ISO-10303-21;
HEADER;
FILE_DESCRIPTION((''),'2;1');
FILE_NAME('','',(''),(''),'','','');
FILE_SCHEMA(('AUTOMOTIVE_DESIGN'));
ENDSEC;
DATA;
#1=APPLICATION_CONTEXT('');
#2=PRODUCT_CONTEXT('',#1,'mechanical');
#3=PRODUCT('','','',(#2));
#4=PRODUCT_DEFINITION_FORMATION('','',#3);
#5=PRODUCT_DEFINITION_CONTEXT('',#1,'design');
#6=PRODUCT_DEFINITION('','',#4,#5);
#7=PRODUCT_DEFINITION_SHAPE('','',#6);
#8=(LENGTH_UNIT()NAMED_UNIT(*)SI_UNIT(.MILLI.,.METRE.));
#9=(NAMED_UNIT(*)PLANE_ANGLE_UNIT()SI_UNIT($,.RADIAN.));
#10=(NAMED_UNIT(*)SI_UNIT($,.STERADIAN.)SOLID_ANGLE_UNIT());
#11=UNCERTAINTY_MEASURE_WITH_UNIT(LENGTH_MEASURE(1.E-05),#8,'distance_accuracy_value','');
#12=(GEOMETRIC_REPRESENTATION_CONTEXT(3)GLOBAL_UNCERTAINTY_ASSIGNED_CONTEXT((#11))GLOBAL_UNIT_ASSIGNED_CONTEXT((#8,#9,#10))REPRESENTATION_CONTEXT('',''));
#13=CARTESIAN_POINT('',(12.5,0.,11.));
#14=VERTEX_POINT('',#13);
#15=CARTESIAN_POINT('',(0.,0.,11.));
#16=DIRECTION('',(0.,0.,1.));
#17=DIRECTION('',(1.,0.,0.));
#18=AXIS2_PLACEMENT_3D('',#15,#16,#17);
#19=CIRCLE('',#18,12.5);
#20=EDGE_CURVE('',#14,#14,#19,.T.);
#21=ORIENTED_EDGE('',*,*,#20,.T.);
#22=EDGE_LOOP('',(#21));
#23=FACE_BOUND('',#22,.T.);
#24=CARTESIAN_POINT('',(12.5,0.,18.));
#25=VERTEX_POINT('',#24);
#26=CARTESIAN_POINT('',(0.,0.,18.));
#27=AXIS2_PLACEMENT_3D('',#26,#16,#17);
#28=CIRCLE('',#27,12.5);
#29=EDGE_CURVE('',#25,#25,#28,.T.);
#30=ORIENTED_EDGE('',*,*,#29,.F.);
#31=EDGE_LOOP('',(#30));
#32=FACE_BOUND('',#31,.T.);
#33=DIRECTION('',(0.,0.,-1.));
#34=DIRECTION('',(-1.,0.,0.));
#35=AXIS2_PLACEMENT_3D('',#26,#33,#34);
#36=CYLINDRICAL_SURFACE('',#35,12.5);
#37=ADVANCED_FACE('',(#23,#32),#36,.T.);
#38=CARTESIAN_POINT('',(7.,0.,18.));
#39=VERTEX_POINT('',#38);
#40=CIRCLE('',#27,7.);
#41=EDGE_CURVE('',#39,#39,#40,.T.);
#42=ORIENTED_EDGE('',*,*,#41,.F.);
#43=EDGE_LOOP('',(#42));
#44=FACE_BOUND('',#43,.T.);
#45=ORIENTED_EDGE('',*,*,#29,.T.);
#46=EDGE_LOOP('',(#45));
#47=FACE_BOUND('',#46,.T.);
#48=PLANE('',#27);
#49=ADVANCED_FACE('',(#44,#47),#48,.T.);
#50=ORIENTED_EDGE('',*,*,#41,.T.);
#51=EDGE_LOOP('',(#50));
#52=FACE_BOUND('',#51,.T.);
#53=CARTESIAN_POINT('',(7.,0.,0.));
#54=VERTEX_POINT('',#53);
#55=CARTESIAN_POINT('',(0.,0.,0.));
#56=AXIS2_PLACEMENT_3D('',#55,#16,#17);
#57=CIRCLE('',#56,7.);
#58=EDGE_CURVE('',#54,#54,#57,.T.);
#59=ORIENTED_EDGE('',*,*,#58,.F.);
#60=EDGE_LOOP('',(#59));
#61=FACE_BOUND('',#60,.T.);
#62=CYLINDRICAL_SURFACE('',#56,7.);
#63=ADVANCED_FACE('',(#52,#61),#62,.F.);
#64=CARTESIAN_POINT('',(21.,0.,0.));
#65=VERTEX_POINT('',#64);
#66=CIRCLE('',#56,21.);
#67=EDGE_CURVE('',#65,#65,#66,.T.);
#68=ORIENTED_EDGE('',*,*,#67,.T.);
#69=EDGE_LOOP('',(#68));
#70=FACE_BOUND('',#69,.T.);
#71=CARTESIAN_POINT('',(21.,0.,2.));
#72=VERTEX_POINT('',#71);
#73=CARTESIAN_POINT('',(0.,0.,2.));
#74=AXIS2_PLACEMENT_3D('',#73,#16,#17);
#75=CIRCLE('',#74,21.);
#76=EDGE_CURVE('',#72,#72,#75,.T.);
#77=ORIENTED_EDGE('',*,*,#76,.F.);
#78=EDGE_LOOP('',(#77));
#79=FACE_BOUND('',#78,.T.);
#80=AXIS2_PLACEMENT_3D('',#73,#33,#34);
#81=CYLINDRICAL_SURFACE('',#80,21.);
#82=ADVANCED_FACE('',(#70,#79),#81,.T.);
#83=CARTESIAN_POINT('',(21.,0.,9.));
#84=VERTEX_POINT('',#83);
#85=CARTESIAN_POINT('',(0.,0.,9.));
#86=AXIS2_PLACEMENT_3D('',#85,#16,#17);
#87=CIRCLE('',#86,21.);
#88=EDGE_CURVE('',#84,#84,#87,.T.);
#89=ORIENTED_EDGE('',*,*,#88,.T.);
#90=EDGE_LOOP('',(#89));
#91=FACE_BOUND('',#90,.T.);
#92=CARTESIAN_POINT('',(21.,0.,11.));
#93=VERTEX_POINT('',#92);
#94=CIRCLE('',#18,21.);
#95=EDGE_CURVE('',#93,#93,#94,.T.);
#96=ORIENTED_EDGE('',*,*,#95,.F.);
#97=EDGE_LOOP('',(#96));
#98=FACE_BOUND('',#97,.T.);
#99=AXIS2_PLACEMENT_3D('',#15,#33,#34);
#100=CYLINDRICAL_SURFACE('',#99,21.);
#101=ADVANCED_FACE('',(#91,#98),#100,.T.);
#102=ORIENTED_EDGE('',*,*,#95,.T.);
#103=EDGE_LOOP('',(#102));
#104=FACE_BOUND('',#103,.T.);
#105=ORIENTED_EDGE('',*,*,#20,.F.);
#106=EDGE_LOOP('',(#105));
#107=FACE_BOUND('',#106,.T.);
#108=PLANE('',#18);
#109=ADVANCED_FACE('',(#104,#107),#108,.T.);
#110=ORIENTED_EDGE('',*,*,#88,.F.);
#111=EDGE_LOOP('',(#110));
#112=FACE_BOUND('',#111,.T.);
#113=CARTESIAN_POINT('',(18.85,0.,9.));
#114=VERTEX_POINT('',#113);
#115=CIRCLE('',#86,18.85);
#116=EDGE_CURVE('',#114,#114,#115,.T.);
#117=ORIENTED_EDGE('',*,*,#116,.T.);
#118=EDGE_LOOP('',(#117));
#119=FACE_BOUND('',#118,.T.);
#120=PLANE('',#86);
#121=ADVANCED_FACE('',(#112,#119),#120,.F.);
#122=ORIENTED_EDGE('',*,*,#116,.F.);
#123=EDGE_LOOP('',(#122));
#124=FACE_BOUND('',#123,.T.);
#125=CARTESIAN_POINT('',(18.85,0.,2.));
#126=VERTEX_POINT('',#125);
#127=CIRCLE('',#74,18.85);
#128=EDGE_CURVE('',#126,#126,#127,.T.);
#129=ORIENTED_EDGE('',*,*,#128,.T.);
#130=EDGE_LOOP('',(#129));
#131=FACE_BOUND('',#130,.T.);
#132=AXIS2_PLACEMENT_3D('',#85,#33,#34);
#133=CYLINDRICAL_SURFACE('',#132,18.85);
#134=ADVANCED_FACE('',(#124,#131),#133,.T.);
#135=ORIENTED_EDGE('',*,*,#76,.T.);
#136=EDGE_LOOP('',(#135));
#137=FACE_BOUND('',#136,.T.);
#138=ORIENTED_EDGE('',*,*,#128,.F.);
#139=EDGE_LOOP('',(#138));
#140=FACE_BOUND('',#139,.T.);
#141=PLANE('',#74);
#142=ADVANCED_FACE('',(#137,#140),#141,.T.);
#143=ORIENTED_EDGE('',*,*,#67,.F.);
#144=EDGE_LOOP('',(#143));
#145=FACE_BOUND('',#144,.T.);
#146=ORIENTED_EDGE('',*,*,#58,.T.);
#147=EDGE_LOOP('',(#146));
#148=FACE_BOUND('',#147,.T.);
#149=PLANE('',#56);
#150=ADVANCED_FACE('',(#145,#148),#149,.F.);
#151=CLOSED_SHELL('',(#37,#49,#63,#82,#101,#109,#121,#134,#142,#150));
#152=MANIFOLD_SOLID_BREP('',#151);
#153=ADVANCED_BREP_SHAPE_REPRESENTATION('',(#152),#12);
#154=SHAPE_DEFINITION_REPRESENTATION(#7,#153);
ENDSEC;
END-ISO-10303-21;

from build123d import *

# Parameters (mm, degrees)
SKETCH_1_R          = 21
EXTRUDE_1_DEPTH     = 2
SKETCH_2_R          = 18.85
EXTRUDE_2_DEPTH     = 7
SKETCH_3_R          = 21
EXTRUDE_3_DEPTH     = 2
SKETCH_4_R          = 12.5
EXTRUDE_4_DEPTH     = 7
SKETCH_5_R          = 7
CUT_EXTRUDE_1_DEPTH = 35.727510708


with BuildPart() as part:
    # 草图1 → 凸台-拉伸1 (new body)
    with BuildSketch(Plane.XY):
        Circle(SKETCH_1_R)
    extrude(amount=EXTRUDE_1_DEPTH)

    # 草图2 → 凸台-拉伸2 (add)
    with BuildSketch(Plane.XY.offset(2)):
        Circle(SKETCH_2_R)
    extrude(amount=EXTRUDE_2_DEPTH)

    # 草图3 → 凸台-拉伸3 (add)
    with BuildSketch(Plane.XY.offset(9)):
        Circle(SKETCH_3_R)
    extrude(amount=EXTRUDE_3_DEPTH)

    # 草图4 → 凸台-拉伸4 (add)
    with BuildSketch(Plane.XY.offset(11)):
        Circle(SKETCH_4_R)
    extrude(amount=EXTRUDE_4_DEPTH)

    # 草图5 → 切除-拉伸1 (cut, through all)
    with BuildSketch(Plane.XY.offset(18)):
        Circle(SKETCH_5_R)
    extrude(amount=-CUT_EXTRUDE_1_DEPTH, mode=Mode.SUBTRACT)


solid = part.part
